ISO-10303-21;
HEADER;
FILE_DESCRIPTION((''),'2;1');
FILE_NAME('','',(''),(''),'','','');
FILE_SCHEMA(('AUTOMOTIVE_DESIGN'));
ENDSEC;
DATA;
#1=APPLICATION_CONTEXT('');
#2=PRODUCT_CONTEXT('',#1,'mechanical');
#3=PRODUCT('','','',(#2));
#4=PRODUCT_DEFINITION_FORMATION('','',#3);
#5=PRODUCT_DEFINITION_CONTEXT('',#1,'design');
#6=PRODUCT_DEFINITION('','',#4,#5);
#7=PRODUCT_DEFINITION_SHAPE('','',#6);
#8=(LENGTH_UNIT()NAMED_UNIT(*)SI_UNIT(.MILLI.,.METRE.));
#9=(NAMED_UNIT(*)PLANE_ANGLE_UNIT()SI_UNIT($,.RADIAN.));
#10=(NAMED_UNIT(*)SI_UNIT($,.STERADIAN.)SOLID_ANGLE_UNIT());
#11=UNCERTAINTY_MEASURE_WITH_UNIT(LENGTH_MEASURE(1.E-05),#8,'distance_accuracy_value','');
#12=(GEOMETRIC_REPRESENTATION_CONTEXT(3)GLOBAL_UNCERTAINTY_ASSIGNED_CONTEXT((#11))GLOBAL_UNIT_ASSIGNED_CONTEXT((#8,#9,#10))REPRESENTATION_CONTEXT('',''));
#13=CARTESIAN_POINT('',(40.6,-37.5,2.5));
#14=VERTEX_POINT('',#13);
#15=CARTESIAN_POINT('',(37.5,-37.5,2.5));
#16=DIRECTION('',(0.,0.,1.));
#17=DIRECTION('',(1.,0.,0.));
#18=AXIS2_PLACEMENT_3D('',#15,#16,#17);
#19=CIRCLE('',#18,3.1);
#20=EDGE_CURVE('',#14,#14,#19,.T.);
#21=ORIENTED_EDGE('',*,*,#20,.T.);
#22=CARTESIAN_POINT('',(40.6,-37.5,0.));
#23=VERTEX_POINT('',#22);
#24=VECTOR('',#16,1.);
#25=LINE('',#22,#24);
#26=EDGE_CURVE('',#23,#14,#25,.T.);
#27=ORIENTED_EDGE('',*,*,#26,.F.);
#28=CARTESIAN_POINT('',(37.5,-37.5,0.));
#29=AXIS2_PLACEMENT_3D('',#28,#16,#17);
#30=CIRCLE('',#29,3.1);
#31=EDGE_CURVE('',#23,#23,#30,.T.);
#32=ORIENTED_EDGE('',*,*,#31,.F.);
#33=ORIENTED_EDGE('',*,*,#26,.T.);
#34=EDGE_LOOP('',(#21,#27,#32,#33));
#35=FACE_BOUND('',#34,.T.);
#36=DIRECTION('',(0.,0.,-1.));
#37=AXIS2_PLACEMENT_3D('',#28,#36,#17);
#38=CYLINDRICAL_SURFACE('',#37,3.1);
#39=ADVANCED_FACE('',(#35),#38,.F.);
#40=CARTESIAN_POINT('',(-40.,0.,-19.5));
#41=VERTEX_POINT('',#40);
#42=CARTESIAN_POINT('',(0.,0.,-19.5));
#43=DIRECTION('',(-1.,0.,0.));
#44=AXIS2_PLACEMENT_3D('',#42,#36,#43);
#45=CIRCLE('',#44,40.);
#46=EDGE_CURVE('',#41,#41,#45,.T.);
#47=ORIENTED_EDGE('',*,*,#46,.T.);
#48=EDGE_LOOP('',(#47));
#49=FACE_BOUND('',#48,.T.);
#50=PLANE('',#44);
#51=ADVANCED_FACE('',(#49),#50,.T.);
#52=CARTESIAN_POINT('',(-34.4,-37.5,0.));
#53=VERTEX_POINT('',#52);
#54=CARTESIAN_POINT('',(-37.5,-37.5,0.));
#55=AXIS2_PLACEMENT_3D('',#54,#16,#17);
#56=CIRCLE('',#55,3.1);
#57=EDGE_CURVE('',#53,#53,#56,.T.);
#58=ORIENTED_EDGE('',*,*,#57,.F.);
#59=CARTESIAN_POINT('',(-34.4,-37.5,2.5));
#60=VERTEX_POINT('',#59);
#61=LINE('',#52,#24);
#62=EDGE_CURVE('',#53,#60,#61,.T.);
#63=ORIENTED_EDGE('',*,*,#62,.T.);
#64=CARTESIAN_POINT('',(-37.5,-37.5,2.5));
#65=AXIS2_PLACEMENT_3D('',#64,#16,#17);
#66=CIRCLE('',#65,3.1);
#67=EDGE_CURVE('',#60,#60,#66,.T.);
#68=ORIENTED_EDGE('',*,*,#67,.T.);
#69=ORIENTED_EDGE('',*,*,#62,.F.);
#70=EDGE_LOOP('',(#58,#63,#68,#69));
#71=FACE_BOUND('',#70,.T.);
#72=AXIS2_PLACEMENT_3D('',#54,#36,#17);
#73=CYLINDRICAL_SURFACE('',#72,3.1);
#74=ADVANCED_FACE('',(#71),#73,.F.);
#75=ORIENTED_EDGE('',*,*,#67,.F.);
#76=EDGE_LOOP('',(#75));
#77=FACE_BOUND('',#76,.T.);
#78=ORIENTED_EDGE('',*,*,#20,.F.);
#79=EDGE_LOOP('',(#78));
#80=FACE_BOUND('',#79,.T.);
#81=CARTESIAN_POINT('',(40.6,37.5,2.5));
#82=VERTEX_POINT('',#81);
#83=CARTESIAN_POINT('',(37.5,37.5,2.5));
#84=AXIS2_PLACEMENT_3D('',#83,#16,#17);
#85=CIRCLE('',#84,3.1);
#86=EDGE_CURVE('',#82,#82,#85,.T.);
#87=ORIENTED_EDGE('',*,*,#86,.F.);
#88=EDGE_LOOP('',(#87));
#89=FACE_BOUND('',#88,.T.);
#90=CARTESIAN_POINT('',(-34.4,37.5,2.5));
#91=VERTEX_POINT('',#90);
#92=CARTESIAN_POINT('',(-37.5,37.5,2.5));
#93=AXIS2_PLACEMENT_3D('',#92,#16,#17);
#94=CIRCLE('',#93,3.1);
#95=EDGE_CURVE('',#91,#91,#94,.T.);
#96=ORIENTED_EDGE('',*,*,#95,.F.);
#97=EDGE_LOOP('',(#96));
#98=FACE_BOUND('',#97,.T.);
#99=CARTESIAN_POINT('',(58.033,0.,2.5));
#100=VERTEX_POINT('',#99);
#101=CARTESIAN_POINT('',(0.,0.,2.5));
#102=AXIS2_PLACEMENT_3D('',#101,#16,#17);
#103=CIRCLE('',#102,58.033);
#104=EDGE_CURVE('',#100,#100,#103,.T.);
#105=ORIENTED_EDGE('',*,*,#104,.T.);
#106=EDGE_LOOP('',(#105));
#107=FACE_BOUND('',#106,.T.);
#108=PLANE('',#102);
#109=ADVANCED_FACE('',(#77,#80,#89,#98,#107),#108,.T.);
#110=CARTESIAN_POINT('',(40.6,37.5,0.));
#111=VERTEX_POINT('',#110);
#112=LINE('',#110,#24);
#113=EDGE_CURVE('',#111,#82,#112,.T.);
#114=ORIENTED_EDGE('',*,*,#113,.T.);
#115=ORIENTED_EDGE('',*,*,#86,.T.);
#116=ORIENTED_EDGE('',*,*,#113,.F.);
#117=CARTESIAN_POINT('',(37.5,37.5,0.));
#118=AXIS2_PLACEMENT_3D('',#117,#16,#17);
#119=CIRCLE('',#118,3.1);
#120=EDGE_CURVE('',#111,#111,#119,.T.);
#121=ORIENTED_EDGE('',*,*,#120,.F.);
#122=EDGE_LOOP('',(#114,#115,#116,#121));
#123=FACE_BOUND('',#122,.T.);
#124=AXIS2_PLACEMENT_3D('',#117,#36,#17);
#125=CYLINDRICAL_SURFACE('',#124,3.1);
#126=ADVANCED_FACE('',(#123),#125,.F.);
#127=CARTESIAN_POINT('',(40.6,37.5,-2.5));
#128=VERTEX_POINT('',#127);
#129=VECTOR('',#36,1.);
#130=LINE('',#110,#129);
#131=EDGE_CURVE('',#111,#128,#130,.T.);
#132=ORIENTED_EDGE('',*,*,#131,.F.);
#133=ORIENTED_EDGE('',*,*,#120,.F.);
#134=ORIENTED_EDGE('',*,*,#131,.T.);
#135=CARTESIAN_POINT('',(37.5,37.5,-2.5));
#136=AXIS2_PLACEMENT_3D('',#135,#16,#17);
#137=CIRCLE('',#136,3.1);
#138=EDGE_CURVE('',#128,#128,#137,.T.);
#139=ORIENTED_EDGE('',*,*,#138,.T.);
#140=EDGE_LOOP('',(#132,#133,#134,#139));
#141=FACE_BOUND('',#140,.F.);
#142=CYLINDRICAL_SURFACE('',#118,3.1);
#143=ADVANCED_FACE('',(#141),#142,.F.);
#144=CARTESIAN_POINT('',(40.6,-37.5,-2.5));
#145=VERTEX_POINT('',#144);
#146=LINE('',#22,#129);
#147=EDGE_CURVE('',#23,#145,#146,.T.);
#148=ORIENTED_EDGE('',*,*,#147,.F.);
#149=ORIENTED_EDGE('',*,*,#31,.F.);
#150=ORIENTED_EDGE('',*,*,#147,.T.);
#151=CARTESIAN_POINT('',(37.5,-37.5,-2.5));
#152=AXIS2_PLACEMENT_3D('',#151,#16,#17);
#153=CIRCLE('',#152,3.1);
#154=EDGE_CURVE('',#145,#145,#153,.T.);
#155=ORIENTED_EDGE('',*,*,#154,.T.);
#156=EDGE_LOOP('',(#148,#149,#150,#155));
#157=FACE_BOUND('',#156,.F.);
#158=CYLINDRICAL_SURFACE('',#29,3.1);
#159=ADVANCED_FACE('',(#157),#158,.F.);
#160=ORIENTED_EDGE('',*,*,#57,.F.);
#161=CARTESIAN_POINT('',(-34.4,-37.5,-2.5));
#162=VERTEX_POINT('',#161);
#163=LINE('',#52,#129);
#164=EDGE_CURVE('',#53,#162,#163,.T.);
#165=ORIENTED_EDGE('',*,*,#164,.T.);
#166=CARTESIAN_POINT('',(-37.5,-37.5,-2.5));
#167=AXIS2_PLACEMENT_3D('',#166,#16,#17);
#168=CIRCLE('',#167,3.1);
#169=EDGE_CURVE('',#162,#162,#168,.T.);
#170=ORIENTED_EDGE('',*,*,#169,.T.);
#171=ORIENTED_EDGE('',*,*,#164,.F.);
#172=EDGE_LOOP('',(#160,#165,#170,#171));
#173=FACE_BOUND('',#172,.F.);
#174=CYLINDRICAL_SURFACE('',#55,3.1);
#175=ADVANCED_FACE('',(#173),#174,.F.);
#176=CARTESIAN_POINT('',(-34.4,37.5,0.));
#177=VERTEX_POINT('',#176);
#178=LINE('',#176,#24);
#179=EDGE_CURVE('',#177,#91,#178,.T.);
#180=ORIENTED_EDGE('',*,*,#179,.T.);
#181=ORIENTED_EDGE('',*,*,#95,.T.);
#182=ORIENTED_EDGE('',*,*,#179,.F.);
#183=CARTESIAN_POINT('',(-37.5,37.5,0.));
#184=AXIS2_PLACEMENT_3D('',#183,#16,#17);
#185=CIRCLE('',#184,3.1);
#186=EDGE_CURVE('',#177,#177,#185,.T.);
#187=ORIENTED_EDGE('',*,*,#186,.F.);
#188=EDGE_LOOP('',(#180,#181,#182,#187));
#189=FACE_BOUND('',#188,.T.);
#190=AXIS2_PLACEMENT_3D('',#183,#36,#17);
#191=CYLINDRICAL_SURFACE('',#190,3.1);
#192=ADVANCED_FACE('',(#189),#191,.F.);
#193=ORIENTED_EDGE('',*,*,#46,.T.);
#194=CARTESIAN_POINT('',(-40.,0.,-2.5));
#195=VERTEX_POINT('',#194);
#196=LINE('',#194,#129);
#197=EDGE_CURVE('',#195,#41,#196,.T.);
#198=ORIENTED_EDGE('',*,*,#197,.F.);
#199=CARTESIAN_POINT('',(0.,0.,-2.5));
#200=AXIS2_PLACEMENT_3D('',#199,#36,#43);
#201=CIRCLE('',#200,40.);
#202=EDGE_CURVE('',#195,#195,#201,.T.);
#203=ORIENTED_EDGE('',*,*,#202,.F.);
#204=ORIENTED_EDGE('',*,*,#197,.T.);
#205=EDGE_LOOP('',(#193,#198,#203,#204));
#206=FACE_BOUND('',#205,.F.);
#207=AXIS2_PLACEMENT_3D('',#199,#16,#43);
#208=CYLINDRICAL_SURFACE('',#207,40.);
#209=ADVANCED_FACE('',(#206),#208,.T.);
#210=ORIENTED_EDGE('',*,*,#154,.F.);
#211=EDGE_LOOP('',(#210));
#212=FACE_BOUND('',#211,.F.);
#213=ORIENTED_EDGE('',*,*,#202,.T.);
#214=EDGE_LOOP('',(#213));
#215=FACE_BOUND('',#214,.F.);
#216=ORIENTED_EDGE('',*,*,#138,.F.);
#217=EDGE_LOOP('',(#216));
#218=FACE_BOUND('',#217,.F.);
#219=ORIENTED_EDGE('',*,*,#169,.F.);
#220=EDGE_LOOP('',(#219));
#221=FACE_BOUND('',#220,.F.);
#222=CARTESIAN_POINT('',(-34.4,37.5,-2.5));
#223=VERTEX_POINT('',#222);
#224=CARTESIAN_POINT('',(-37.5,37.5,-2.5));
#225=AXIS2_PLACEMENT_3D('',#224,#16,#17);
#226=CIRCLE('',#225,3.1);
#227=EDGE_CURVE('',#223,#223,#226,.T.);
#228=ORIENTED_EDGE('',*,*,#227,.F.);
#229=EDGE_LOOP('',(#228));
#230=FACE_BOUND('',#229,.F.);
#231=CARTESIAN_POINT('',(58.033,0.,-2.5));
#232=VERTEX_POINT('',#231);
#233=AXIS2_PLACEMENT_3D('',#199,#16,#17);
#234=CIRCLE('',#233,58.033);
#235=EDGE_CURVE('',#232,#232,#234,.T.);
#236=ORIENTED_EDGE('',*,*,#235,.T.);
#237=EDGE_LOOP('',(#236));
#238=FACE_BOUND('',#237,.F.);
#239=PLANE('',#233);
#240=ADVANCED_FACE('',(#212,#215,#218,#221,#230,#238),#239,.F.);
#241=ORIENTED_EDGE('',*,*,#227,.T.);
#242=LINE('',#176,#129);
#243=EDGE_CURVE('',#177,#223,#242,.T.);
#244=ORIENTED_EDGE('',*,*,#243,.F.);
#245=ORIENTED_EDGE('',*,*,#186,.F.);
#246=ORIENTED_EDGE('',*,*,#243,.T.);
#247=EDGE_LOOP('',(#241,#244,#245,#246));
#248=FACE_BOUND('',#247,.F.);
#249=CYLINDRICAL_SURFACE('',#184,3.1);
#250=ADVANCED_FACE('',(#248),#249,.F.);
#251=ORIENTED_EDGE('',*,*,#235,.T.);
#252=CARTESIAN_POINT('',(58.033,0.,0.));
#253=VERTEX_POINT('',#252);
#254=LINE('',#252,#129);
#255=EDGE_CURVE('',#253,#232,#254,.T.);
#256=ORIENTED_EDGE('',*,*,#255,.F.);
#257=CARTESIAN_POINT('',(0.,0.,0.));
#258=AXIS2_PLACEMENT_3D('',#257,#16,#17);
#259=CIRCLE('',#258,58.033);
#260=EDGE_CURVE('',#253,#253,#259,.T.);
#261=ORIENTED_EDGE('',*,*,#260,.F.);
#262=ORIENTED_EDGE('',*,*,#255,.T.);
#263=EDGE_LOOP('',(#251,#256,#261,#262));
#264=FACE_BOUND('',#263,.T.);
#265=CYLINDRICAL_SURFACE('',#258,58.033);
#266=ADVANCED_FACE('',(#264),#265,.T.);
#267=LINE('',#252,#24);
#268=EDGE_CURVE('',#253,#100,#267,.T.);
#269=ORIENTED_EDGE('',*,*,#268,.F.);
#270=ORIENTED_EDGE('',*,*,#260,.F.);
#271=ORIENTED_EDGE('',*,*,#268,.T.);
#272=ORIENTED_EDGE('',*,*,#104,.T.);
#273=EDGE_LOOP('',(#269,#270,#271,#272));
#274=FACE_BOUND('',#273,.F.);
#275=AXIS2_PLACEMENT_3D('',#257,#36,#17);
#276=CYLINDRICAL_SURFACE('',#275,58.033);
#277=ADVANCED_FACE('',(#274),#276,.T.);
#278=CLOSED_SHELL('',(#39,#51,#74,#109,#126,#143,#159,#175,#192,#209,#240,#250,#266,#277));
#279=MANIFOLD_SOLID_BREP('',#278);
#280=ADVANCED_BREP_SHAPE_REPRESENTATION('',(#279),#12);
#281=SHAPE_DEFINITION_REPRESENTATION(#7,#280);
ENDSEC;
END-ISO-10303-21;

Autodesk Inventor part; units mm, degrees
ref_plane "YZ Plane" through (0, 0, 0) normal (1, 0, 0) x (0, 1, 0)
ref_plane "XZ Plane" through (0, 0, 0) normal (0, 1, 0) x (-1, 0, 0)
ref_plane "XY Plane" through (0, 0, 0) normal (0, 0, 1) x (1, 0, 0)
sketch "Esquisse1" plane through (0, 0, 0) normal (0, 0, 1) x (1, 0, 0)
  circle A0 centre (0, 0) radius 58.033
  circle A1 centre (0, 0) radius 53.033 construction
  line L0 (37.5, -37.5) -> (-37.5, -37.5) construction
  line L1 (-37.5, -37.5) -> (-37.5, 37.5) construction
  line L2 (-37.5, 37.5) -> (37.5, 37.5) construction
  line L3 (37.5, 37.5) -> (37.5, -37.5) construction
  line L4 (37.5, -37.5) -> (-37.5, 37.5) construction
  line L5 (-37.5, -37.5) -> (37.5, 37.5) construction
  circle A2 centre (-37.5, 37.5) radius 3.1
  circle A3 centre (37.5, 37.5) radius 3.1
  circle A4 centre (37.5, -37.5) radius 3.1
  circle A5 centre (-37.5, -37.5) radius 3.1
  dimension "d0" = 116.066
  dimension "d2" = 106.066
  dimension "d22" = 6.2
  dimension "d23" = 75
  dimension "d24" = 5
extrude "Extrusion1" add sketch "Esquisse1" along normal mid plane 5
sketch "Esquisse2" plane through (0, 0, -2.5) normal (0, 0, -1) x (-1, 0, 0)
  circle A0 centre (0, 0) radius 40
  dimension "d6" = 80
extrude "Extrusion2" add sketch "Esquisse2" along normal blind 17
properties part number "Chapeau Haut.stl"
